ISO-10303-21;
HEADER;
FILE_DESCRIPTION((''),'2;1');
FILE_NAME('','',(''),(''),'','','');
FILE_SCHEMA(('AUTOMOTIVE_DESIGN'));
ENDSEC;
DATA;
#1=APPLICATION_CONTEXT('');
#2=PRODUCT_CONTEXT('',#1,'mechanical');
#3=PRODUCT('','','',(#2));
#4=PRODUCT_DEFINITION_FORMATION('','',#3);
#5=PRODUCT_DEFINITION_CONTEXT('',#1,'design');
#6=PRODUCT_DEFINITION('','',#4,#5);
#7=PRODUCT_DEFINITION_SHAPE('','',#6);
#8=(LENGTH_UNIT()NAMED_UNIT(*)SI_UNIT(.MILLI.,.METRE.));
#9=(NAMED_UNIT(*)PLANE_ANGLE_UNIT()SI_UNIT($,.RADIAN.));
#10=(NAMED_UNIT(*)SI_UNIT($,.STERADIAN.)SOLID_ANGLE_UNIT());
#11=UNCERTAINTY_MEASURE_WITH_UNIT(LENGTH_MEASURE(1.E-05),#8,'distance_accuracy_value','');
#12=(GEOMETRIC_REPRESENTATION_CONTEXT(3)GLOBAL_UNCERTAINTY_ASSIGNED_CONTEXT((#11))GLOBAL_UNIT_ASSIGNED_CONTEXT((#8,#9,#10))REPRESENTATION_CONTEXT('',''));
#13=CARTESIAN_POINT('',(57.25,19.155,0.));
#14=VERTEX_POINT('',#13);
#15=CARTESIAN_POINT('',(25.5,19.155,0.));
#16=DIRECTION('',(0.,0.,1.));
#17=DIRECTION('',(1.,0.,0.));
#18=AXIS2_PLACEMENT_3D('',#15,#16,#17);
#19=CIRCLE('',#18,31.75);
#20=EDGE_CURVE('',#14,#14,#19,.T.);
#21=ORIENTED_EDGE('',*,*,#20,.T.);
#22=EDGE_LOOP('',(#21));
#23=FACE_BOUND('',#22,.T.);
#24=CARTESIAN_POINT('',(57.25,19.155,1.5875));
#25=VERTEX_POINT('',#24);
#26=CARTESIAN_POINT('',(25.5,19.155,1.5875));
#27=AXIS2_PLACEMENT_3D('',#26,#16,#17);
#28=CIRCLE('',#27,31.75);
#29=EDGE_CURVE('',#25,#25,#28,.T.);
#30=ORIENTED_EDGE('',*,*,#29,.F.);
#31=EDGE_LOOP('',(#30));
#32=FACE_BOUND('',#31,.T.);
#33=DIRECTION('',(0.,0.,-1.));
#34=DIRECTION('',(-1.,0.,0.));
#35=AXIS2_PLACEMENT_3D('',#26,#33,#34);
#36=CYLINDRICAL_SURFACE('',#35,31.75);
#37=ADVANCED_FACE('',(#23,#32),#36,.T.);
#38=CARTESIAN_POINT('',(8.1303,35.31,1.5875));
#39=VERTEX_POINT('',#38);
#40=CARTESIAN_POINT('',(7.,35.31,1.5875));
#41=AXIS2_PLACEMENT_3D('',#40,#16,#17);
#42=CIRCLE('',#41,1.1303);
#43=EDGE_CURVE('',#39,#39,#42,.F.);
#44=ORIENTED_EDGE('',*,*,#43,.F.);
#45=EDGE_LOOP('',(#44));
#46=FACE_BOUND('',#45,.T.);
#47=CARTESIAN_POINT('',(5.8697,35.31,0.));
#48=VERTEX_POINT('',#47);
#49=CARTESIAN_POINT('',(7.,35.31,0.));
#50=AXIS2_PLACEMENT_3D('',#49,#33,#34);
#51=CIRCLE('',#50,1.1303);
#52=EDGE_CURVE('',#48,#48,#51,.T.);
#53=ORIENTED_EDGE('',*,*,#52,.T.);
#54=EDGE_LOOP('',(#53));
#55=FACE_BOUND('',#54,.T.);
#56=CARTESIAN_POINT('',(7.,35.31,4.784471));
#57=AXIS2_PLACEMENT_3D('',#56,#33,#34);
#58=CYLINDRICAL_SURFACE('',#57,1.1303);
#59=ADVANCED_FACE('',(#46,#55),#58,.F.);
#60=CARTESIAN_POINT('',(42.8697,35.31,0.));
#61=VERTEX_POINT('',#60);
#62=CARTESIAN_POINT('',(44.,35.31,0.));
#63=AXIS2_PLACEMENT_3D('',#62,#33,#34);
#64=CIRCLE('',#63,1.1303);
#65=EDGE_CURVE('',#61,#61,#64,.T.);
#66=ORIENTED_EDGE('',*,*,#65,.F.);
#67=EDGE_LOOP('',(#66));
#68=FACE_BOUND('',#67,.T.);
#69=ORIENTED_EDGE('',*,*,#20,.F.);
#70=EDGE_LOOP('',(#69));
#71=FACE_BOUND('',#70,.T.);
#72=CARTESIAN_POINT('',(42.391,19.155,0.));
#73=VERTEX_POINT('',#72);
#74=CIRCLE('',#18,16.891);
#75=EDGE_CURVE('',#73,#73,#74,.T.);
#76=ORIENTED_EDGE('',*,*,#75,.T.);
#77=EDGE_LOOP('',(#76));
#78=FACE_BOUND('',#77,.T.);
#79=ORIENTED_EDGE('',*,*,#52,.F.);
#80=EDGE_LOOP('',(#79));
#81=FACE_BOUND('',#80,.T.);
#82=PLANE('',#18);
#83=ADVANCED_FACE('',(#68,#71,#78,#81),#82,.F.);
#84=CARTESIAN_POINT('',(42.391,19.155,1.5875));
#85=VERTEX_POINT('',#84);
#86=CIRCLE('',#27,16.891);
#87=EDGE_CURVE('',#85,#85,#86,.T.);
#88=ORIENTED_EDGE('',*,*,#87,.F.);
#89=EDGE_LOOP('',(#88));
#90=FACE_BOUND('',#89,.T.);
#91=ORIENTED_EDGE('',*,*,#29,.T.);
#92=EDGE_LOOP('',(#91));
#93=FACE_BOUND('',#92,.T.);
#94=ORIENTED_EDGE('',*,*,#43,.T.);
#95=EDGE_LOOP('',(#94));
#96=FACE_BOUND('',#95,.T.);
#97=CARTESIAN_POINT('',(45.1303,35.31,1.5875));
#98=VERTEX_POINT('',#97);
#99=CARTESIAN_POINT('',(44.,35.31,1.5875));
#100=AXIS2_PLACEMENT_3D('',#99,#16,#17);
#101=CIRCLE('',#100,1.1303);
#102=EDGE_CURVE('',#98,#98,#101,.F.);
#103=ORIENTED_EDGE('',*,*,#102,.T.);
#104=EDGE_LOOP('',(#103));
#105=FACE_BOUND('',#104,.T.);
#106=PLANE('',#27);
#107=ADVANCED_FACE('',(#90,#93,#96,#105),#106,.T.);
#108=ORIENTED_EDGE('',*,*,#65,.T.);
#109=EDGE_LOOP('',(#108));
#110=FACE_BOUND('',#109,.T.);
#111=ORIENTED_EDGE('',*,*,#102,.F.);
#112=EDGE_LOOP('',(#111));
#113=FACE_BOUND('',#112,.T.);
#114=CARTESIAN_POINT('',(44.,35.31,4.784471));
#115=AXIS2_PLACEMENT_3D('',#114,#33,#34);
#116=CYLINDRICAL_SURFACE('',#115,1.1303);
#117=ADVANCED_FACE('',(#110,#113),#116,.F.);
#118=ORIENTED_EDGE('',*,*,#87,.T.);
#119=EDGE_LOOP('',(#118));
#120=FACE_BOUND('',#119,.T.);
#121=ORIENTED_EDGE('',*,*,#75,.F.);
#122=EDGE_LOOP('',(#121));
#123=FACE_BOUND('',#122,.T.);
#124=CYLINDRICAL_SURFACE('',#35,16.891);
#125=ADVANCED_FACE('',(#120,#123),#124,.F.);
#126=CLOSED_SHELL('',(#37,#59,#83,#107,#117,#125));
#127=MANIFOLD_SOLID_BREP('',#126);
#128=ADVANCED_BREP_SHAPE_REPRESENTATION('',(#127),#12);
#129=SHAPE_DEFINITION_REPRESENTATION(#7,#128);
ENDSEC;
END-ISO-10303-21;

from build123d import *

# Parameters (mm, degrees)
SKETCH1_R           = 31.75
SKETCH1_R_2         = 16.891
BOSS_EXTRUDE1_DEPTH = 1.5875
SKETCH2_R           = 1.1303
CUT_EXTRUDE1_DEPTH  = 1.5875


with BuildPart() as part:
    # Sketch1 → Boss-Extrude1 (new body)
    with BuildSketch(Plane.XY):
        with Locations((25.5, 19.155)):
            Circle(SKETCH1_R)
        with Locations((25.5, 19.155)):
            Circle(SKETCH1_R_2, mode=Mode.SUBTRACT)
    extrude(amount=BOSS_EXTRUDE1_DEPTH)

    # Sketch2 → Cut-Extrude1 (cut)
    with BuildSketch(Plane(origin=(0, 0, 0), x_dir=(-1, 0, 0), z_dir=(0, 0, -1))):
        with Locations((-7, 35.31)):
            Circle(SKETCH2_R)
        with Locations((-44, 35.31)):
            Circle(SKETCH2_R)
    extrude(amount=-CUT_EXTRUDE1_DEPTH, mode=Mode.SUBTRACT)


solid = part.part
